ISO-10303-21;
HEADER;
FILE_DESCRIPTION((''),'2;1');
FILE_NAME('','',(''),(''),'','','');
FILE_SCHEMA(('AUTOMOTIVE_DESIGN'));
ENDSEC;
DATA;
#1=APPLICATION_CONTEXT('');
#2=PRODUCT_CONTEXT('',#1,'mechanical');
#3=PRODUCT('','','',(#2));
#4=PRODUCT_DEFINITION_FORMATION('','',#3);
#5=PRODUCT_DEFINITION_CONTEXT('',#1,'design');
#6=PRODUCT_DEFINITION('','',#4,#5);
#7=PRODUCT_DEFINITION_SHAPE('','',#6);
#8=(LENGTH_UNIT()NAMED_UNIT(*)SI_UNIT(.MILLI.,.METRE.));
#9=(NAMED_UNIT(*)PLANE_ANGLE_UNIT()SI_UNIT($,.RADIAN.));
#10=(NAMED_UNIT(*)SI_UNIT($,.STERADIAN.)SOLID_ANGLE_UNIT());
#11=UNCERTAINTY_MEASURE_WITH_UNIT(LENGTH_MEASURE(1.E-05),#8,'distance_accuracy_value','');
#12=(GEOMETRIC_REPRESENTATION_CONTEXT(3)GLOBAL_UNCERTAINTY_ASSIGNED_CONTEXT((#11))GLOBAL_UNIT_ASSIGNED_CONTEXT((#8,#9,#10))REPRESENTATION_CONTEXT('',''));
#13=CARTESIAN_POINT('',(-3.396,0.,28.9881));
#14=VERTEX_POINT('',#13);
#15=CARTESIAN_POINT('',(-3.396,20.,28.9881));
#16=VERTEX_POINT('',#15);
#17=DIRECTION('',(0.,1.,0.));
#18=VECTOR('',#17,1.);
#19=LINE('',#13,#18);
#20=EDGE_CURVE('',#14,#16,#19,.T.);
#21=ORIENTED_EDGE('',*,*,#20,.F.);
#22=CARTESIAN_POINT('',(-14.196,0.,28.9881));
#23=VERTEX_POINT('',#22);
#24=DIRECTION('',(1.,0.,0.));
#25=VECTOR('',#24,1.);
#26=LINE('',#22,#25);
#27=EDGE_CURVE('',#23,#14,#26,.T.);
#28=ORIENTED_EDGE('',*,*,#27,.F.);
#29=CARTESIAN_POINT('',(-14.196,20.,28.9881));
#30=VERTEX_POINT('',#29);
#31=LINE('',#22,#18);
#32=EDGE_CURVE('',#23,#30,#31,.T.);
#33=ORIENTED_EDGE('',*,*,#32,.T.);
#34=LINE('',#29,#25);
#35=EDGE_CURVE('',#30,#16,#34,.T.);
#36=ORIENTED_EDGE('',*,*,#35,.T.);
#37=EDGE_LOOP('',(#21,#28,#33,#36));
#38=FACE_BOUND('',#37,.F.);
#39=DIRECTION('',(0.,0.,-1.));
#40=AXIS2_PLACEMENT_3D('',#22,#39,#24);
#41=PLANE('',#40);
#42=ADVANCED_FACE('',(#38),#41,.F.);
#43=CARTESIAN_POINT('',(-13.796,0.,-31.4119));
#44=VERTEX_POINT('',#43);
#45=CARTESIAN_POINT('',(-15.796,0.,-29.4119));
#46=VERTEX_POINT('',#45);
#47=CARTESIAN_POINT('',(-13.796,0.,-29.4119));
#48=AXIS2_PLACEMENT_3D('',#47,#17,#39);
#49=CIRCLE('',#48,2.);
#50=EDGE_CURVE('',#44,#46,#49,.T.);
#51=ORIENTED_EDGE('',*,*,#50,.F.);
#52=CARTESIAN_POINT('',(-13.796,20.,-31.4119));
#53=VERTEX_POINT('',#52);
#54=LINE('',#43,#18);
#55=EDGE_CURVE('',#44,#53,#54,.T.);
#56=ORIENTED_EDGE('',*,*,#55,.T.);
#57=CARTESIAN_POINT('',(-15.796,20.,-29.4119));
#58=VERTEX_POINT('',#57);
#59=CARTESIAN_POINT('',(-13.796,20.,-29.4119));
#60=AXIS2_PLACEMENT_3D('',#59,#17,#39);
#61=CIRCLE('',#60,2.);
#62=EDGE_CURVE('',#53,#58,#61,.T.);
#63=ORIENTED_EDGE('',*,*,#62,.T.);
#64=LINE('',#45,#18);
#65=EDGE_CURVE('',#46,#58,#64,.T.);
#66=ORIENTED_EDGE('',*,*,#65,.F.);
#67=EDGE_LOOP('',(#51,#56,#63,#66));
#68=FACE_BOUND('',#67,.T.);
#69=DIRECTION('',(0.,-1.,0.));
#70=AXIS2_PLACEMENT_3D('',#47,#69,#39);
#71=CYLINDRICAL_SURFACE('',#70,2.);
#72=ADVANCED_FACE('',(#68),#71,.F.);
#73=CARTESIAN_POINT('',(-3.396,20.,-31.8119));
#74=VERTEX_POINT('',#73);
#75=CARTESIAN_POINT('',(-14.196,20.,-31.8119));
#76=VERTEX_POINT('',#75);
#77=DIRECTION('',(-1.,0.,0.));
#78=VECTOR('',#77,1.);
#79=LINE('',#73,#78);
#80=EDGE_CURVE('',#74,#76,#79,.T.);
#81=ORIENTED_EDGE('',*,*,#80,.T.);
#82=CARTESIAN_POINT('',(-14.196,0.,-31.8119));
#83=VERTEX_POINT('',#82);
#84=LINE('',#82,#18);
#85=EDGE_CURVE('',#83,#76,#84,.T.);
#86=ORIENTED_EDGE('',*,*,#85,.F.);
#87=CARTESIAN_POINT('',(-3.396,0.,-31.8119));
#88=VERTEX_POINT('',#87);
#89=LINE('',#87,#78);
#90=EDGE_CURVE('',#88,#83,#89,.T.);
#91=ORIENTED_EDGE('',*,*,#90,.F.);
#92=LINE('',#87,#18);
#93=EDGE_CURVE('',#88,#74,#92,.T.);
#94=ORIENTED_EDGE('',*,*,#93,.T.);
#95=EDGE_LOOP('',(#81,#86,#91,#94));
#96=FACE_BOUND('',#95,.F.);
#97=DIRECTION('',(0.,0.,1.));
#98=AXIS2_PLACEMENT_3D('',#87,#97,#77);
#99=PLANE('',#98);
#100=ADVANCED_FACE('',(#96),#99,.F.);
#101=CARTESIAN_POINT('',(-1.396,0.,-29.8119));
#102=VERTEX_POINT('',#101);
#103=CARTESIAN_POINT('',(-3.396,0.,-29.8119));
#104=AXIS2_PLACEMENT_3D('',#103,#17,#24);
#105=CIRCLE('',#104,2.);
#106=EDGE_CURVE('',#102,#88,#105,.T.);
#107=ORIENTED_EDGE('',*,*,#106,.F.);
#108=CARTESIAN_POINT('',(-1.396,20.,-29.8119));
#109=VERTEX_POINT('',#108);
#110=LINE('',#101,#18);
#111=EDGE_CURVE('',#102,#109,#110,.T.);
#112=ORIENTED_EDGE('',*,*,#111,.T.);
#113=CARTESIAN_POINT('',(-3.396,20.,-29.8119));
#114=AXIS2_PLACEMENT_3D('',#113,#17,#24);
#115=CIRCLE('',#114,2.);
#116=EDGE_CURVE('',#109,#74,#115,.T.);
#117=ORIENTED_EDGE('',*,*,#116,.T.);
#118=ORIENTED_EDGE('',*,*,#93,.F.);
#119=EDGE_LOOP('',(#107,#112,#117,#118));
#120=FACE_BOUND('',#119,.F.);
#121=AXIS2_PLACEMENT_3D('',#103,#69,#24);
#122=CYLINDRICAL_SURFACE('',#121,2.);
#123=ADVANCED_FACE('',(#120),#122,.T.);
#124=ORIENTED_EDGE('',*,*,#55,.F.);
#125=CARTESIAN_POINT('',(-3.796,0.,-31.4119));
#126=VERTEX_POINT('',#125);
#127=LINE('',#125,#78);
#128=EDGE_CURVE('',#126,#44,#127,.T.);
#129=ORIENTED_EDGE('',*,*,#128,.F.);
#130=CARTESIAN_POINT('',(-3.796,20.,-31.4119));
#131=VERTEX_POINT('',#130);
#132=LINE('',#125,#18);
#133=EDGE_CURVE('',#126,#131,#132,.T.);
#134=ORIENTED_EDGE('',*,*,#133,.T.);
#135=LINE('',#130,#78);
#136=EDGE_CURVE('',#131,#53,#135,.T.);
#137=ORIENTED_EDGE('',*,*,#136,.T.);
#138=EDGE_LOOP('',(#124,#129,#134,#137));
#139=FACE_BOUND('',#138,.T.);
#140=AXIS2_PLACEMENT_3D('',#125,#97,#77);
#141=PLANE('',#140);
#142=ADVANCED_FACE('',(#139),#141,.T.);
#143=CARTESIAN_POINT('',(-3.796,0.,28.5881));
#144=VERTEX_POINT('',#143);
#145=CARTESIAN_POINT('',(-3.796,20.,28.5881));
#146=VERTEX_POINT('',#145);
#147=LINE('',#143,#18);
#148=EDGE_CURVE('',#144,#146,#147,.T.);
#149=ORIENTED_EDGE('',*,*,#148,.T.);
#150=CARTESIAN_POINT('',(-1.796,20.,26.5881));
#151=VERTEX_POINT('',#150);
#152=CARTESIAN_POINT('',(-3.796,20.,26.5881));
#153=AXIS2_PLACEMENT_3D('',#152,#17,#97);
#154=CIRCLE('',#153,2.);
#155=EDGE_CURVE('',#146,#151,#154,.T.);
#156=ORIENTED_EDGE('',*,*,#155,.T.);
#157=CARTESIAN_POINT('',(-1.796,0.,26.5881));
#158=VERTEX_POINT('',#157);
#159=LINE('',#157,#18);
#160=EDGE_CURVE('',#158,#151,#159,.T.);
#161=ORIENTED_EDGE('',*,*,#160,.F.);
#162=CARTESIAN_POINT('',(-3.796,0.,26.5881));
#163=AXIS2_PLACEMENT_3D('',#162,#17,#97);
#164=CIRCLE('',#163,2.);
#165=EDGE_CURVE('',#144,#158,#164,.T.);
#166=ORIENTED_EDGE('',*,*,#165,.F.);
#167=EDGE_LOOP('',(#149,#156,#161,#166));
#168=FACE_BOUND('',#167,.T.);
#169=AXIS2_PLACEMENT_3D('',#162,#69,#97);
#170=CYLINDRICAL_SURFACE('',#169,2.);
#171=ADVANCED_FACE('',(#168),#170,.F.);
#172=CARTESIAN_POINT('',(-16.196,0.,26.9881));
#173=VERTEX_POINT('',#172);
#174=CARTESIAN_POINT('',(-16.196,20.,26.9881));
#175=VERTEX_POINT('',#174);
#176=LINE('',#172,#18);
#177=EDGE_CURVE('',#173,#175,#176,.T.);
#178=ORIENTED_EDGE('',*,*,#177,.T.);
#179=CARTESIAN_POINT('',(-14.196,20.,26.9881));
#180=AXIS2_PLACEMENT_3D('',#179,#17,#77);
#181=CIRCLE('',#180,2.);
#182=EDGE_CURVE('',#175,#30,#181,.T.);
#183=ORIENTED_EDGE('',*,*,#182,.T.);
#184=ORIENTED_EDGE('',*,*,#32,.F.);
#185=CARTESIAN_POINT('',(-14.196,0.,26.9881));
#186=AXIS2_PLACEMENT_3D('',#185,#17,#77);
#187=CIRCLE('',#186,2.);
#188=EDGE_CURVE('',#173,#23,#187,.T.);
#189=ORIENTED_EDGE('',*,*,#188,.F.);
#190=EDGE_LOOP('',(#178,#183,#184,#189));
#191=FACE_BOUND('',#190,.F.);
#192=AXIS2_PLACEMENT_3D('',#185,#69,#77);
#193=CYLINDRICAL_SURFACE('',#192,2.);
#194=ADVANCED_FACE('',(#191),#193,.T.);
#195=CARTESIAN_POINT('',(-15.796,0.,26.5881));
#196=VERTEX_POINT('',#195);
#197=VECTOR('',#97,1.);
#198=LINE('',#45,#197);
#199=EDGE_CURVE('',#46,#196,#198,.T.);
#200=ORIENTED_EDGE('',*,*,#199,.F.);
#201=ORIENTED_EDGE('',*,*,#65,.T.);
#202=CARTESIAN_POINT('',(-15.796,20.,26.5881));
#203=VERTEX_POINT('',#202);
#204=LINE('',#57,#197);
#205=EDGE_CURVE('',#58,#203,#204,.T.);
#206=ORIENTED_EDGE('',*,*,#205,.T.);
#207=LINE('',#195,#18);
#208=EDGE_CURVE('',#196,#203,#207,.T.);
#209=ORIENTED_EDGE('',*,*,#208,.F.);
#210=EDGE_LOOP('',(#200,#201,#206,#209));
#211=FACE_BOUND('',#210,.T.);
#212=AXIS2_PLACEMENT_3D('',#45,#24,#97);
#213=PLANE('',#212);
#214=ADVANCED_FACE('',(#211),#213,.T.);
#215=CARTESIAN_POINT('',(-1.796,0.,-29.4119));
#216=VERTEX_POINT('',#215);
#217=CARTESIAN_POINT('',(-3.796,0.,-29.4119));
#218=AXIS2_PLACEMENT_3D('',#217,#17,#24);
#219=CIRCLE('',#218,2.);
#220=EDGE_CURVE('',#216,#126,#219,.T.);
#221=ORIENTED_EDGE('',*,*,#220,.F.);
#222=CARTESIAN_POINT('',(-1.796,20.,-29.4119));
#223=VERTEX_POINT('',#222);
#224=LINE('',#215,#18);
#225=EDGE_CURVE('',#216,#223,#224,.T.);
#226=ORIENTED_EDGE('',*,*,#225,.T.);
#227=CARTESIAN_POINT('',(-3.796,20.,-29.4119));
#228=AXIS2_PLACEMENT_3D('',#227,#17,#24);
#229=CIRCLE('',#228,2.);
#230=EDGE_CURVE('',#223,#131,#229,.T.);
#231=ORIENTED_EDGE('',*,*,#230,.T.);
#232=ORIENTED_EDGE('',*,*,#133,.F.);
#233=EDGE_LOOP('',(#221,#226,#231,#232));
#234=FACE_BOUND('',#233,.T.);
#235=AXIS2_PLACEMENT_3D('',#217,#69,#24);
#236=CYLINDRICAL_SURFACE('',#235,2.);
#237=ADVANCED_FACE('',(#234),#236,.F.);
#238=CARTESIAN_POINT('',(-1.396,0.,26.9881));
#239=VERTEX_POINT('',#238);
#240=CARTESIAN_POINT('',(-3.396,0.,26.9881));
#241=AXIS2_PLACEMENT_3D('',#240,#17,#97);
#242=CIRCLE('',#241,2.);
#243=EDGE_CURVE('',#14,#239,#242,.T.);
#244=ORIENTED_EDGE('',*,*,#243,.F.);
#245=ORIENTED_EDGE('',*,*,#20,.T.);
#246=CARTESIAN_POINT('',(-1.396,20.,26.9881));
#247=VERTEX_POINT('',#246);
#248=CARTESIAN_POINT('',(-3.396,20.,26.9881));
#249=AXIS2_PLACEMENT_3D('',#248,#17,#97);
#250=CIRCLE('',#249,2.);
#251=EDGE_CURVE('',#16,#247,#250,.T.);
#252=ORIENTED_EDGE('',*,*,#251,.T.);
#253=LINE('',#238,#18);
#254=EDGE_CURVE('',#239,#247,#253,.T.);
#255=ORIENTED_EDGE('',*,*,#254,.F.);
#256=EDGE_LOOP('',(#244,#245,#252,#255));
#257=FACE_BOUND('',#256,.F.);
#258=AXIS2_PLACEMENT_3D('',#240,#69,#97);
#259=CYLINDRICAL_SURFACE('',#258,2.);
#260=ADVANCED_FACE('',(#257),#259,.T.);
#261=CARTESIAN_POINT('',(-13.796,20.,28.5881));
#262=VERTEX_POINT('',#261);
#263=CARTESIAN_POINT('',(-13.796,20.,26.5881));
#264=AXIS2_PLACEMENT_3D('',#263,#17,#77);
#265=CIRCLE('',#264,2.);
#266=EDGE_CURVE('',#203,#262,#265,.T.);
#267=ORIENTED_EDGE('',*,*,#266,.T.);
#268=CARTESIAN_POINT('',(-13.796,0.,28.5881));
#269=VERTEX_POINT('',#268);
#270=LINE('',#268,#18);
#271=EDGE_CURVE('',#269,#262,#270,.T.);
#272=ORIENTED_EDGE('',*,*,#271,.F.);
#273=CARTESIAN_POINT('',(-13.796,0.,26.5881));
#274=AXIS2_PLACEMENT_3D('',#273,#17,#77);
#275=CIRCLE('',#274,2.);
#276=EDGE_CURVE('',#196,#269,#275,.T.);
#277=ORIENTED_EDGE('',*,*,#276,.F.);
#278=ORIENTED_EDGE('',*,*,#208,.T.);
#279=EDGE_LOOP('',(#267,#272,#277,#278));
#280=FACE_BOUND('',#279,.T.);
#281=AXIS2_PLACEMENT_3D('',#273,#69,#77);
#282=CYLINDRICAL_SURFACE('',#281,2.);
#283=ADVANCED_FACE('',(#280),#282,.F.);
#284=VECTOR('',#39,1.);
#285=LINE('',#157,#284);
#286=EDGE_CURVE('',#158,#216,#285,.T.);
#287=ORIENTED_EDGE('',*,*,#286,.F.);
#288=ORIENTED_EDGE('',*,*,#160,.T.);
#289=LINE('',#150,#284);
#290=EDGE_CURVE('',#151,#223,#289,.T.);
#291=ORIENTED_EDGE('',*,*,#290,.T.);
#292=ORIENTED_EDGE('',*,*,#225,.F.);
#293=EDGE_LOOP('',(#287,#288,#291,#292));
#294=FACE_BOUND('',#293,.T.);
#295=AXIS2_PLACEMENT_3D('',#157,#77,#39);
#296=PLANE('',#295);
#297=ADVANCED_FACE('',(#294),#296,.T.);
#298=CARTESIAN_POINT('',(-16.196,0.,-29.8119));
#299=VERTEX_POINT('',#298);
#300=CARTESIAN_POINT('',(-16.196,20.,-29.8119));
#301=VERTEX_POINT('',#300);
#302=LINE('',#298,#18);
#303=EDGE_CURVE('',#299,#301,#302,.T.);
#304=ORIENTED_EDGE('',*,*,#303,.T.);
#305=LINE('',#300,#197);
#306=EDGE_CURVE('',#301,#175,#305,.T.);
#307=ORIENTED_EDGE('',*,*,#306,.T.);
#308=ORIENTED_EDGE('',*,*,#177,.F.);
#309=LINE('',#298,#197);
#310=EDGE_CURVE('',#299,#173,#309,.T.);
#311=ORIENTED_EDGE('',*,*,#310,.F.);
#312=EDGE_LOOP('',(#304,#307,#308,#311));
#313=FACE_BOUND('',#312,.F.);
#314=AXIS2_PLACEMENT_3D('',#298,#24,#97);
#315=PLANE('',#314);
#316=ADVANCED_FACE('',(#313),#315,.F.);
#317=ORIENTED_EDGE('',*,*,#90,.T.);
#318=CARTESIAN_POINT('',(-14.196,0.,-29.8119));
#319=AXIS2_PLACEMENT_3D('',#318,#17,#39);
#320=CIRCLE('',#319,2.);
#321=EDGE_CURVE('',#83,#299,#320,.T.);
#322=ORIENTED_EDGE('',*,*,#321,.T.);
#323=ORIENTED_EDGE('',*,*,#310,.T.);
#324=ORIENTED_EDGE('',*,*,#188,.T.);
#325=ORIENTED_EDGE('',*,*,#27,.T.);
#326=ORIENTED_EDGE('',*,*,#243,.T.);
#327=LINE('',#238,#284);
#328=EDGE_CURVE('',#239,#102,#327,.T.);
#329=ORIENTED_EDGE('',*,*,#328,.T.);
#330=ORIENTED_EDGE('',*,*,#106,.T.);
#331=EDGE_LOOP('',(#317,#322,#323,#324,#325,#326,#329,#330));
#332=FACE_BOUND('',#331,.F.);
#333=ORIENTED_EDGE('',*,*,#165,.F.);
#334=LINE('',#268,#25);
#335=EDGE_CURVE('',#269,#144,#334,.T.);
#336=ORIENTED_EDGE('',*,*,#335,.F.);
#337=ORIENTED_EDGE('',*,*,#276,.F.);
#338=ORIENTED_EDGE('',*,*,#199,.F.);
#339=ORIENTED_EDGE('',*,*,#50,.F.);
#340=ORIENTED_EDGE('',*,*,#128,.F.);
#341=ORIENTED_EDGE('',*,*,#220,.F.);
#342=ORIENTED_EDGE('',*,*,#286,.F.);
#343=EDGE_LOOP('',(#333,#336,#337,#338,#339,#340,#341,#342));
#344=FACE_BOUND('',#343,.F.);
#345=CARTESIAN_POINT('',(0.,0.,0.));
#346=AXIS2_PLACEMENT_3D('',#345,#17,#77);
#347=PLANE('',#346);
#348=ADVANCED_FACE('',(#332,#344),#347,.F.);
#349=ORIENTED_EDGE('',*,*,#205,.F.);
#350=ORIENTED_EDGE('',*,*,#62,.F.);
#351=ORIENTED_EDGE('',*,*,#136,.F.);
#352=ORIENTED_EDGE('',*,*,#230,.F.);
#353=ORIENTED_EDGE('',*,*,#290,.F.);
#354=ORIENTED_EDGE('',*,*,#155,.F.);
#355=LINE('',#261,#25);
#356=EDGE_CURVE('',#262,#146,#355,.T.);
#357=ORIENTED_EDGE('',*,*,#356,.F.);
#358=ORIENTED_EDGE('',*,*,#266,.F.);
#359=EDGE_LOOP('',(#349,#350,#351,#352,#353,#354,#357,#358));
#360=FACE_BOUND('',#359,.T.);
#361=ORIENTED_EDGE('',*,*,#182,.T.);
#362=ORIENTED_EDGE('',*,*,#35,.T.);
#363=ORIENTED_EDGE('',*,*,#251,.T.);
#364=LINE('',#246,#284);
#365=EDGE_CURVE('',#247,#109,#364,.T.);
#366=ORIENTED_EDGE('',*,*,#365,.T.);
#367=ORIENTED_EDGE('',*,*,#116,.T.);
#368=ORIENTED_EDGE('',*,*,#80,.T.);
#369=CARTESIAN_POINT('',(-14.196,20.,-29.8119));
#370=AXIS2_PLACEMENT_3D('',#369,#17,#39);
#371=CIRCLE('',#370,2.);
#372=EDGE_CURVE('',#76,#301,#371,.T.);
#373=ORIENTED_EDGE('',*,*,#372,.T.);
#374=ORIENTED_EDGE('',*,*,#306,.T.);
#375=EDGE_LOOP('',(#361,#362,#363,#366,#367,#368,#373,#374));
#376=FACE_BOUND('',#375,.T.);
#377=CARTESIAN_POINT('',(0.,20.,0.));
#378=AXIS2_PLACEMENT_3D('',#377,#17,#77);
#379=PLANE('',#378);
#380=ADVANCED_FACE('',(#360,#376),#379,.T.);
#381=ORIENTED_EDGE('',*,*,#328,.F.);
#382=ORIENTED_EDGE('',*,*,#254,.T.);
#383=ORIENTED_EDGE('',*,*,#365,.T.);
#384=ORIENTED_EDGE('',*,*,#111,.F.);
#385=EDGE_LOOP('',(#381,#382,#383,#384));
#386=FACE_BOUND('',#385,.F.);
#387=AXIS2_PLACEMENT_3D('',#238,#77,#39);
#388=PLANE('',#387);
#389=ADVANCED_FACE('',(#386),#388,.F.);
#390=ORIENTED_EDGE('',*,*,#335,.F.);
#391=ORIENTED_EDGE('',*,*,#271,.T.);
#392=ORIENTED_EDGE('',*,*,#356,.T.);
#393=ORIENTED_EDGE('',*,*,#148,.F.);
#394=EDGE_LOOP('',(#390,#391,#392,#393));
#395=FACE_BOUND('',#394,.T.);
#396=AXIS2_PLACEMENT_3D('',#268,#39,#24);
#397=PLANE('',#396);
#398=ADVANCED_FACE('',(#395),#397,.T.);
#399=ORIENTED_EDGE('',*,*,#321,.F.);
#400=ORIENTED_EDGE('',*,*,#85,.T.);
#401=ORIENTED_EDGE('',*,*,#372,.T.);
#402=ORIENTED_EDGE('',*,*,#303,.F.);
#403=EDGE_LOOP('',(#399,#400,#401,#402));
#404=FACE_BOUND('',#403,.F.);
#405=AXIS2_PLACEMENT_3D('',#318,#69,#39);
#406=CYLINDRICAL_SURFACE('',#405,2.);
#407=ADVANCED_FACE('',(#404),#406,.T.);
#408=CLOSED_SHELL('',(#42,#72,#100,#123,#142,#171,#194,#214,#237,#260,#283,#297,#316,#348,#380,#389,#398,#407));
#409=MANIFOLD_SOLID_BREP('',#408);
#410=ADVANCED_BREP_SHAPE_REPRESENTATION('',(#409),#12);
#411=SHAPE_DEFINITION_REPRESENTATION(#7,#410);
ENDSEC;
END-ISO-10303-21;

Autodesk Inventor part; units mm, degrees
ref_plane "YZ Plane" through (0, 0, 0) normal (1, 0, 0) x (0, 1, 0)
ref_plane "XZ Plane" through (0, 0, 0) normal (0, 1, 0) x (-1, 0, 0)
ref_plane "XY Plane" through (0, 0, 0) normal (0, 0, 1) x (1, 0, 0)
sketch "Sketch1" plane through (0, 0, 0) normal (0, 1, 0) x (-1, 0, 0)
  line L0 (13.796, 28.5881) -> (3.796, 28.5881)
  line L1 (1.796, 26.5881) -> (1.796, -29.4119)
  line L2 (3.796, -31.4119) -> (13.796, -31.4119)
  line L3 (15.796, -29.4119) -> (15.796, 26.5881)
  arc A0 (15.796, 26.5881) -> (13.796, 28.5881) centre (13.796, 26.5881) ccw
  arc A1 (13.796, -31.4119) -> (15.796, -29.4119) centre (13.796, -29.4119) ccw
  arc A2 (1.796, -29.4119) -> (3.796, -31.4119) centre (3.796, -29.4119) ccw
  arc A3 (3.796, 28.5881) -> (1.796, 26.5881) centre (3.796, 26.5881) ccw
  line L4 (14.196, 28.9881) -> (3.396, 28.9881)
  line L5 (1.396, 26.9881) -> (1.396, -29.8119)
  line L6 (3.396, -31.8119) -> (14.196, -31.8119)
  line L7 (16.196, -29.8119) -> (16.196, 26.9881)
  arc A4 (16.196, 26.9881) -> (14.196, 28.9881) centre (14.196, 26.9881) ccw
  arc A5 (14.196, -31.8119) -> (16.196, -29.8119) centre (14.196, -29.8119) ccw
  arc A6 (1.396, -29.8119) -> (3.396, -31.8119) centre (3.396, -29.8119) ccw
  arc A7 (3.396, 28.9881) -> (1.396, 26.9881) centre (3.396, 26.9881) ccw
  point P0 (0, 0)
  point P1 (15.796, 28.5881)
  point P2 (1.796, -31.4119)
  point P3 (15.796, -31.4119)
  dimension "d0" = 60
  dimension "d1" = 14
  dimension "d2" = 2
  dimension "d3" = 0.4
  dimension "d4" = 0.4
  dimension "d5" = 0.4
  dimension "d6" = 0.4
  dimension "d7" = 2
extrude "Extrusion1" add sketch "Sketch1" along normal blind 20
properties part number "cinta"
